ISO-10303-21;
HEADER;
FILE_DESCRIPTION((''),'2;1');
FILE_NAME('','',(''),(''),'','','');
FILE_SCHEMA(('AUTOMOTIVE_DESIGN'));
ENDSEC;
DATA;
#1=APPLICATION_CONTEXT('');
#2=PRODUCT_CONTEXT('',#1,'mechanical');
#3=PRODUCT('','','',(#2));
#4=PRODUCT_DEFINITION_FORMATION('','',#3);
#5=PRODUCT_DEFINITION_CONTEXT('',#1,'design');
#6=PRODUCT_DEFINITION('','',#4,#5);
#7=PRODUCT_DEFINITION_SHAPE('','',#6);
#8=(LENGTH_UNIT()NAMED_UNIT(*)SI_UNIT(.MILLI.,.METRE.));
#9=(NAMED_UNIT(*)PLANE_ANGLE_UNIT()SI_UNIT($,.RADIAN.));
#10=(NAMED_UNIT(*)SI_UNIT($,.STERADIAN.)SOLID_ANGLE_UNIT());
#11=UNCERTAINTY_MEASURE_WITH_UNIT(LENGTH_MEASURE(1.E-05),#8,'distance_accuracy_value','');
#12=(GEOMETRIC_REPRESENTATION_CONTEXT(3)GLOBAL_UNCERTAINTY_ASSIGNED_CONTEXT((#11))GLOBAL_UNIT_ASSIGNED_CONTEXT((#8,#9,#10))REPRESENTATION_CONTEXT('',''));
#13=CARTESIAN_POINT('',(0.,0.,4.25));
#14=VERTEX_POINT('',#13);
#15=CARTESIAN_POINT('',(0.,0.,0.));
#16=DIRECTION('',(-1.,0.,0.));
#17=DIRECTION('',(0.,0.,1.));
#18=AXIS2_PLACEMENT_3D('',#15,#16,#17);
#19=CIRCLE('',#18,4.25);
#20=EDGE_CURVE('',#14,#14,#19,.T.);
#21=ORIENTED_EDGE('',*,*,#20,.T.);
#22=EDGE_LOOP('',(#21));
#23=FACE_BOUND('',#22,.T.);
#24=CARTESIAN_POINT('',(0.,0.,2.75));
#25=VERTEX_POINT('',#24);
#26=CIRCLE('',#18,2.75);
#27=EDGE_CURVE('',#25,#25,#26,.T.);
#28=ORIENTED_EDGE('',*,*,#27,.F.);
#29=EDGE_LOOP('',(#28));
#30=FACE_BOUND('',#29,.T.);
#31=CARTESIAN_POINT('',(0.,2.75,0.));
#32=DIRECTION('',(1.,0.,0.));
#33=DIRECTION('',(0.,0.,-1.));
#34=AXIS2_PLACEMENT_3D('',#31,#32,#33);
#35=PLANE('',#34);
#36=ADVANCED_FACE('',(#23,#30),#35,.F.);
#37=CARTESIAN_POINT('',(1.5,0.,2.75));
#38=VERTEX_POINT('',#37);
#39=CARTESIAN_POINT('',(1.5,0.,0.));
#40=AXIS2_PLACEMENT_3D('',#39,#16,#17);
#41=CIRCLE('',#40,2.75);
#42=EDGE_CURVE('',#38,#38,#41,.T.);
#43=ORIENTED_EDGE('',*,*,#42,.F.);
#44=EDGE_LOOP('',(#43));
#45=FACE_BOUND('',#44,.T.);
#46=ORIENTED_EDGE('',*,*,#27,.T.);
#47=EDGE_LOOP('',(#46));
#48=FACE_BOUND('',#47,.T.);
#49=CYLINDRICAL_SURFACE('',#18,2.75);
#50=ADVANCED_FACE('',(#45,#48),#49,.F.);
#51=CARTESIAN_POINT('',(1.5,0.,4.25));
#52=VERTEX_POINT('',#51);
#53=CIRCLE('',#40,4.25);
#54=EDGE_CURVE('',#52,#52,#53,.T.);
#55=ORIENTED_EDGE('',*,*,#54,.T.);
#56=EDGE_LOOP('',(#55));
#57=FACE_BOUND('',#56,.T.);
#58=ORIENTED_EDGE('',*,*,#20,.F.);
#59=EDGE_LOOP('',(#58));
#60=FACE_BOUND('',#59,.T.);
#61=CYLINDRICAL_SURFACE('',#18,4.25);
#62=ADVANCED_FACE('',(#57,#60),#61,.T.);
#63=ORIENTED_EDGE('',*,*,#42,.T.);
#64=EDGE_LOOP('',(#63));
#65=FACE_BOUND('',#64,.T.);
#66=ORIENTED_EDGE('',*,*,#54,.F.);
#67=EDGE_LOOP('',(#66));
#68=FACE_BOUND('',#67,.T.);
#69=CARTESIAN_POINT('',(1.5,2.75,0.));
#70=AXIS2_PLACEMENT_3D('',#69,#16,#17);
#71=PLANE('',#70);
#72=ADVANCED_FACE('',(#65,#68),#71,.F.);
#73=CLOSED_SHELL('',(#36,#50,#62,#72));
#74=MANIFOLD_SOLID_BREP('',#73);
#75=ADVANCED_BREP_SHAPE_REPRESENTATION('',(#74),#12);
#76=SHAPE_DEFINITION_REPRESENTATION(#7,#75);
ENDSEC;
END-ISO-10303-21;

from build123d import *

# Parameters (mm, degrees)
SKETCH1_W = 1.5
SKETCH1_H = 1.5


with BuildPart() as part:
    # Sketch1 → Revolve1 (revolve)
    with BuildSketch(Plane.XY, mode=Mode.PRIVATE) as revolve1_sk:
        with Locations((0.75, 3.5)):
            Rectangle(SKETCH1_W, SKETCH1_H)
    revolve(revolve1_sk.sketch.rotate(Axis((0, 0, 0), (1, 0, 0)), 90), axis=Axis((0, 0, 0), (1, 0, 0)))


solid = part.part
